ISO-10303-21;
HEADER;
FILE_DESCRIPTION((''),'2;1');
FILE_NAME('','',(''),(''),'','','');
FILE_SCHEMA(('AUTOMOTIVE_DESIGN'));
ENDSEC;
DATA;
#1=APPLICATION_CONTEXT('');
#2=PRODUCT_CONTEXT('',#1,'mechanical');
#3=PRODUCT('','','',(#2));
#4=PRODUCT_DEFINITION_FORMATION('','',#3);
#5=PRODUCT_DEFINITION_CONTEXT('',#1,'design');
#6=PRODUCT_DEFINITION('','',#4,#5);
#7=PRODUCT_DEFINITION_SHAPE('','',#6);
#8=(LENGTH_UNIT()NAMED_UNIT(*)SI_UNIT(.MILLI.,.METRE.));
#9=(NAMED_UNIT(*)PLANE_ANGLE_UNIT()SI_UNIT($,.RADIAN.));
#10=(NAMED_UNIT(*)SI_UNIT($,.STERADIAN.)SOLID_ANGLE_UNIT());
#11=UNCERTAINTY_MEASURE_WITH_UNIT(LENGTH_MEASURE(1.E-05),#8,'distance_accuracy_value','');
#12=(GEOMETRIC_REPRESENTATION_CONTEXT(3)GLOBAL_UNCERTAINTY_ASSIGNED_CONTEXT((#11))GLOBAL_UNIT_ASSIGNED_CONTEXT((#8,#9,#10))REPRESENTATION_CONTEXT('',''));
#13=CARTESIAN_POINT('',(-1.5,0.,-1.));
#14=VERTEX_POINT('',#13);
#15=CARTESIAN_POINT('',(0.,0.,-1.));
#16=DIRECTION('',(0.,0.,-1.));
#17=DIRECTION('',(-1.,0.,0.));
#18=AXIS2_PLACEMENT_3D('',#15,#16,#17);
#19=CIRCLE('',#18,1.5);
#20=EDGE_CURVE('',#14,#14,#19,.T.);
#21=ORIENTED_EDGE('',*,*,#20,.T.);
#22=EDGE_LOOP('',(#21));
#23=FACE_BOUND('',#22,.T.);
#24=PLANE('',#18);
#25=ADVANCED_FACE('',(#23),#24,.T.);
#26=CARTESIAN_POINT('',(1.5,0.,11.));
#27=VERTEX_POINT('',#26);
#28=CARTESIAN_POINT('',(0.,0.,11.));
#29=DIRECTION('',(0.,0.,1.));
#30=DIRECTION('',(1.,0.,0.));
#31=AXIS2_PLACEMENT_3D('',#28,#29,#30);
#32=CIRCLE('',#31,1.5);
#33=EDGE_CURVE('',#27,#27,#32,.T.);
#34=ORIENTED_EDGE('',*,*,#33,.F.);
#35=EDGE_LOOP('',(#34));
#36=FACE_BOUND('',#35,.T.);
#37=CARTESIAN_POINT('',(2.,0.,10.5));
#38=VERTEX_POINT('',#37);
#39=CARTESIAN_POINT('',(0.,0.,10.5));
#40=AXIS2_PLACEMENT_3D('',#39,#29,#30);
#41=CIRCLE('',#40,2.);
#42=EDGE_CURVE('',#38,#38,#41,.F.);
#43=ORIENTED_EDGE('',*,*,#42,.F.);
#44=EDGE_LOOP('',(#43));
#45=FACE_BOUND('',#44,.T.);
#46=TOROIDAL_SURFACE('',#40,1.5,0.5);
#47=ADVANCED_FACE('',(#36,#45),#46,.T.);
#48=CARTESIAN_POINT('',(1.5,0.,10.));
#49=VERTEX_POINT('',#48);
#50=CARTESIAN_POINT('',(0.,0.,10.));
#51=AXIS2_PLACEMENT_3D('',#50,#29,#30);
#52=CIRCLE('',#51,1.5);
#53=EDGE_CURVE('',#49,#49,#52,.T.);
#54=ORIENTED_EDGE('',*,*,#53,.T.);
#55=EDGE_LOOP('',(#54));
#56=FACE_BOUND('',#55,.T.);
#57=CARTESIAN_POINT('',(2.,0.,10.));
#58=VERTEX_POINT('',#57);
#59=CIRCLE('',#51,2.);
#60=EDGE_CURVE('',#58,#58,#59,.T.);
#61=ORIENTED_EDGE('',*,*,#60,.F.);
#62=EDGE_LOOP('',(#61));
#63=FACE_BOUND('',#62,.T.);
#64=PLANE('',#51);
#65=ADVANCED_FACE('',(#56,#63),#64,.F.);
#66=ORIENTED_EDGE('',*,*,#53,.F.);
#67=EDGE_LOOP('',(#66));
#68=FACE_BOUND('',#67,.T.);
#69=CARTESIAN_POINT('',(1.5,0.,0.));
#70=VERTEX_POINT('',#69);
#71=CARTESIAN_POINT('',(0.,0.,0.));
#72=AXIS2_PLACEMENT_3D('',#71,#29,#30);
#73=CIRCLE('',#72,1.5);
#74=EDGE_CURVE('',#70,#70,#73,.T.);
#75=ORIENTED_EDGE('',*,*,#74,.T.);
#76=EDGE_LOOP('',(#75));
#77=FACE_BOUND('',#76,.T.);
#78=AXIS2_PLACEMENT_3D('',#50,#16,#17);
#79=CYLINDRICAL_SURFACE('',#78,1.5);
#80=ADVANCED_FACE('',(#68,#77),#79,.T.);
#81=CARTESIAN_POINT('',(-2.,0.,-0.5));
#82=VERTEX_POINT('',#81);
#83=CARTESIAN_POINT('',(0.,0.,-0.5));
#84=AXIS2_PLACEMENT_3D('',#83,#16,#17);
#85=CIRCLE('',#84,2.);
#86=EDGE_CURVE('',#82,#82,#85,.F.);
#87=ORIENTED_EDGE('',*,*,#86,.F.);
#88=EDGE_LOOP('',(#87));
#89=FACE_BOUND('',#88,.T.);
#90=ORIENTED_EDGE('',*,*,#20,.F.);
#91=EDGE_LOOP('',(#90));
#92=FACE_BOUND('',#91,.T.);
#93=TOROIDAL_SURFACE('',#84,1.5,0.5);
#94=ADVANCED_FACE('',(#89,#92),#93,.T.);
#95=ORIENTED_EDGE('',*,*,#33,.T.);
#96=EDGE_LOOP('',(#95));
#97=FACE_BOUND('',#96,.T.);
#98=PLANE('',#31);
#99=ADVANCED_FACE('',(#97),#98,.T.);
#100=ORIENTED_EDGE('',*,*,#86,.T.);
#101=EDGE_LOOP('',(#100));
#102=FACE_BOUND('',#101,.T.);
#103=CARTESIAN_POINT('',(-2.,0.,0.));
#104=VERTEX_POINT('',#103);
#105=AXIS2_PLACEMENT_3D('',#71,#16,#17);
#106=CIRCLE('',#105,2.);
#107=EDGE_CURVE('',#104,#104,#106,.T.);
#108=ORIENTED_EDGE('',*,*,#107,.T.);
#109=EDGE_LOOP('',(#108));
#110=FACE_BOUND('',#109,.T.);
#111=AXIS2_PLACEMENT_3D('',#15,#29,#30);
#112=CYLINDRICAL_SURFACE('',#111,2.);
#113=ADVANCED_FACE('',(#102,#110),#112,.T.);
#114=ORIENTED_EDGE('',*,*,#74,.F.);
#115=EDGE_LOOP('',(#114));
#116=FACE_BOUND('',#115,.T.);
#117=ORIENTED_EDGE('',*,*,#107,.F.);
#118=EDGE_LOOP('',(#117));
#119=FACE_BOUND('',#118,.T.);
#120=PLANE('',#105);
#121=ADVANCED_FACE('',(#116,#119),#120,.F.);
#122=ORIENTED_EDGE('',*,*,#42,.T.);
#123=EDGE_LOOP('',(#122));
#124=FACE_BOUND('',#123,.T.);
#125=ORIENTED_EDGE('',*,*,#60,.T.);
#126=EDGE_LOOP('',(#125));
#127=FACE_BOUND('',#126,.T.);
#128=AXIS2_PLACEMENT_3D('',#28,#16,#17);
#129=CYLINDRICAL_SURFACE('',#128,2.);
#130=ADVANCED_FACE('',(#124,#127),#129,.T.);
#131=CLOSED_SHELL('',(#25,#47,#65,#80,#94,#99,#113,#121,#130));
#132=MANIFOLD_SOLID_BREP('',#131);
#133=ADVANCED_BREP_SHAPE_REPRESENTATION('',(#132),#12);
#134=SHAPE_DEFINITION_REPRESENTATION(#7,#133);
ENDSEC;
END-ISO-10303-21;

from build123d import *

# Parameters (mm, degrees)
SKETCH1_R           = 1.5
BOSS_EXTRUDE1_DEPTH = 10
SKETCH2_R           = 2
BOSS_EXTRUDE2_DEPTH = 1
SKETCH3_R           = 2
BOSS_EXTRUDE3_DEPTH = 1
FILLET1_R           = 0.5


with BuildPart() as part:
    # Sketch1 → Boss-Extrude1 (new body)
    with BuildSketch(Plane.XY):
        Circle(SKETCH1_R)
    extrude(amount=BOSS_EXTRUDE1_DEPTH)

    # Sketch2 → Boss-Extrude2 (add)
    with BuildSketch(Plane(origin=(0, 0, 0), x_dir=(-1, 0, 0), z_dir=(0, 0, -1))):
        Circle(SKETCH2_R)
    extrude(amount=BOSS_EXTRUDE2_DEPTH)

    # Sketch3 → Boss-Extrude3 (add)
    with BuildSketch(Plane.XY.offset(10)):
        Circle(SKETCH3_R)
    extrude(amount=BOSS_EXTRUDE3_DEPTH)

    # Fillet1
    fillet1_edges = [part.edges().sort_by_distance(p)[0] for p in [
        (-2, 0, 11),
        (2, 0, -1),
    ]]
    fillet(fillet1_edges, radius=FILLET1_R)


solid = part.part
